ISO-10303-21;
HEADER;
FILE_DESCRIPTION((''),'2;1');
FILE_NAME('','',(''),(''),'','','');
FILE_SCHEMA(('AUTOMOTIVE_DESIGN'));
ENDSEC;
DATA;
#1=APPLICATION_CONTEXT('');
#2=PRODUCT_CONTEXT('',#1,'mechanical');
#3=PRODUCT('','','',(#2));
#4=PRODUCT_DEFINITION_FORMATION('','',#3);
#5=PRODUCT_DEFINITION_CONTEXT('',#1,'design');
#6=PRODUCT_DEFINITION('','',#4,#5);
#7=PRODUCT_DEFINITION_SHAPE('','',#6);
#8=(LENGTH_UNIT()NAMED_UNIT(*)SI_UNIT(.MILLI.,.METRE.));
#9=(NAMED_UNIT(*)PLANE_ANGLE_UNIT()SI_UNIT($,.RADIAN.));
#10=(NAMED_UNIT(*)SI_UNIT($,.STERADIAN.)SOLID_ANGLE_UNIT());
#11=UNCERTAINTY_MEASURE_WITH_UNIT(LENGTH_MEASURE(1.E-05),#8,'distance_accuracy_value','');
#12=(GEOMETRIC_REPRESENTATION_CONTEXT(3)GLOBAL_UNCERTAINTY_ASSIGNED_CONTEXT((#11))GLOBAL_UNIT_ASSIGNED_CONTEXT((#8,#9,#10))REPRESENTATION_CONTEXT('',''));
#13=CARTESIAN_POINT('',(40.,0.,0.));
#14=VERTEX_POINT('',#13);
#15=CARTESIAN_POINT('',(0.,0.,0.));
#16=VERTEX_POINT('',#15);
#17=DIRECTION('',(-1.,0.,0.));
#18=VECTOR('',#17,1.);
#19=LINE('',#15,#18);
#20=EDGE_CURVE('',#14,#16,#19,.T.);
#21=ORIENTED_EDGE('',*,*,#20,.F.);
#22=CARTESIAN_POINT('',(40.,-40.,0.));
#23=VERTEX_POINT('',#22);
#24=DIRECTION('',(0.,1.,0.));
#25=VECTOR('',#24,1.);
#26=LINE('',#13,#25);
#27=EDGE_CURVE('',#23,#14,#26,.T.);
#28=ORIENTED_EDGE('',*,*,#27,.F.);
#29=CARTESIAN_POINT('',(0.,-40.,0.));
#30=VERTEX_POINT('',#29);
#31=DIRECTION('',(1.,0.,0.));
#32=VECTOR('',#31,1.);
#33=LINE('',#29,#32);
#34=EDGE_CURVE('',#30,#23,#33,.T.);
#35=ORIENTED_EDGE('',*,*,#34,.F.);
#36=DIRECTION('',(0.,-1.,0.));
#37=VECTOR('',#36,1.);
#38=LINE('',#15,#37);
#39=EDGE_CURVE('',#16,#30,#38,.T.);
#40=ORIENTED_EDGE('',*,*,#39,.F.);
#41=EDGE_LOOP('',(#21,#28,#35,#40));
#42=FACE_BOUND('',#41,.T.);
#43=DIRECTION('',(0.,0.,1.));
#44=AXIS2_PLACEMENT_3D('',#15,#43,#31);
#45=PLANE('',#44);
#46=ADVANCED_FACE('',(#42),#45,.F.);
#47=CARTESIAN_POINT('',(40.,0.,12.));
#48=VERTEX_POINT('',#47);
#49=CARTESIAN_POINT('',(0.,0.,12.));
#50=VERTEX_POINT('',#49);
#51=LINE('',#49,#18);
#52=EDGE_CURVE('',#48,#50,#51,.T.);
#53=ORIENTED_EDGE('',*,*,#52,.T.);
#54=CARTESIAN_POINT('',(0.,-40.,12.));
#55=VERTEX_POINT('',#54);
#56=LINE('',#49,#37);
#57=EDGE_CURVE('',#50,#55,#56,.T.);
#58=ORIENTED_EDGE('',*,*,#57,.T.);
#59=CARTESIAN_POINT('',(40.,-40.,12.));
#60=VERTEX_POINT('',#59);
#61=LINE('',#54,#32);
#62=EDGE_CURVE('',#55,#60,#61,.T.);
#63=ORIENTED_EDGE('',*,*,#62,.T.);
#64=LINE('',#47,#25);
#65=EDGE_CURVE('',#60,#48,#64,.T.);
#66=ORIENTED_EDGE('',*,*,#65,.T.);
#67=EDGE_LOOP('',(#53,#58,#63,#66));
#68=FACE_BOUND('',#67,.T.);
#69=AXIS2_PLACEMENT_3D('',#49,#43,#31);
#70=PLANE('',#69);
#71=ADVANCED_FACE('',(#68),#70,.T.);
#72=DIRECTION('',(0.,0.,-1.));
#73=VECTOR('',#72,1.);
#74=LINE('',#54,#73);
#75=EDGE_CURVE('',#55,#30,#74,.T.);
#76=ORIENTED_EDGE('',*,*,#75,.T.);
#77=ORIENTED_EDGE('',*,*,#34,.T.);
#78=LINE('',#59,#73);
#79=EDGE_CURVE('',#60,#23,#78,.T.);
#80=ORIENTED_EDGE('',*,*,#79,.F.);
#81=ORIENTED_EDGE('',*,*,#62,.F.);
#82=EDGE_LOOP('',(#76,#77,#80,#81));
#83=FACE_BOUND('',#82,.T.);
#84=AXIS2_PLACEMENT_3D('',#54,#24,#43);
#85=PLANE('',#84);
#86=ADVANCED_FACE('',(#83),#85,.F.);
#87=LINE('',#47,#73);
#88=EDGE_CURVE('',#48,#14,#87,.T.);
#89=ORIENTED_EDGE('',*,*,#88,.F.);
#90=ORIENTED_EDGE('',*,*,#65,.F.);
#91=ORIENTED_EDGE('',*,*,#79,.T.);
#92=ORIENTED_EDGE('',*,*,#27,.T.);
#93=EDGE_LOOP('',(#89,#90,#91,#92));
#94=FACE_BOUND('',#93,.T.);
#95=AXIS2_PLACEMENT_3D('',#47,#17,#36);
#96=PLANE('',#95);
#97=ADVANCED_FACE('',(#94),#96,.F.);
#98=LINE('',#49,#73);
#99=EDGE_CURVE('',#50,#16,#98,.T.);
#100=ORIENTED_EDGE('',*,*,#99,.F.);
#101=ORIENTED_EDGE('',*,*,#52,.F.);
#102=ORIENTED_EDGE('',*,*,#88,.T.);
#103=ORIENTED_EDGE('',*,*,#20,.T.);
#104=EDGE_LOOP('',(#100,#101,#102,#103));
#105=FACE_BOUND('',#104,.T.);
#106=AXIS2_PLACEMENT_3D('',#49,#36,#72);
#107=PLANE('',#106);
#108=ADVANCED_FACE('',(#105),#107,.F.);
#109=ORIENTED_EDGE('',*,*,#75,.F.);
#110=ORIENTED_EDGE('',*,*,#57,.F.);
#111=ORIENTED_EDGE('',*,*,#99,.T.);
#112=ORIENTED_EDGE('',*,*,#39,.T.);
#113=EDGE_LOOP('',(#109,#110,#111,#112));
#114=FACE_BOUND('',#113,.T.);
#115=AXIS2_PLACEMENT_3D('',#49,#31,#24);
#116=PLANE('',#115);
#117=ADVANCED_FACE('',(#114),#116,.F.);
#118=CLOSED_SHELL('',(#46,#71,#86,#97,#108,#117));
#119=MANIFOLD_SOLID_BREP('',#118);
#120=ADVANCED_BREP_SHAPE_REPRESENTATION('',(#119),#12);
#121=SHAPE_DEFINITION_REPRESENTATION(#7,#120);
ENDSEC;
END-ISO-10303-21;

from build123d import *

# Parameters (mm, degrees)
SKETCH_1_W      = 40
SKETCH_1_H      = 40
EXTRUDE_1_DEPTH = 12


with BuildPart() as part:
    # 草图1 → 凸台-拉伸1 (new body)
    with BuildSketch(Plane.XY):
        with Locations((20, -20)):
            Rectangle(SKETCH_1_W, SKETCH_1_H)
    extrude(amount=EXTRUDE_1_DEPTH)


solid = part.part
